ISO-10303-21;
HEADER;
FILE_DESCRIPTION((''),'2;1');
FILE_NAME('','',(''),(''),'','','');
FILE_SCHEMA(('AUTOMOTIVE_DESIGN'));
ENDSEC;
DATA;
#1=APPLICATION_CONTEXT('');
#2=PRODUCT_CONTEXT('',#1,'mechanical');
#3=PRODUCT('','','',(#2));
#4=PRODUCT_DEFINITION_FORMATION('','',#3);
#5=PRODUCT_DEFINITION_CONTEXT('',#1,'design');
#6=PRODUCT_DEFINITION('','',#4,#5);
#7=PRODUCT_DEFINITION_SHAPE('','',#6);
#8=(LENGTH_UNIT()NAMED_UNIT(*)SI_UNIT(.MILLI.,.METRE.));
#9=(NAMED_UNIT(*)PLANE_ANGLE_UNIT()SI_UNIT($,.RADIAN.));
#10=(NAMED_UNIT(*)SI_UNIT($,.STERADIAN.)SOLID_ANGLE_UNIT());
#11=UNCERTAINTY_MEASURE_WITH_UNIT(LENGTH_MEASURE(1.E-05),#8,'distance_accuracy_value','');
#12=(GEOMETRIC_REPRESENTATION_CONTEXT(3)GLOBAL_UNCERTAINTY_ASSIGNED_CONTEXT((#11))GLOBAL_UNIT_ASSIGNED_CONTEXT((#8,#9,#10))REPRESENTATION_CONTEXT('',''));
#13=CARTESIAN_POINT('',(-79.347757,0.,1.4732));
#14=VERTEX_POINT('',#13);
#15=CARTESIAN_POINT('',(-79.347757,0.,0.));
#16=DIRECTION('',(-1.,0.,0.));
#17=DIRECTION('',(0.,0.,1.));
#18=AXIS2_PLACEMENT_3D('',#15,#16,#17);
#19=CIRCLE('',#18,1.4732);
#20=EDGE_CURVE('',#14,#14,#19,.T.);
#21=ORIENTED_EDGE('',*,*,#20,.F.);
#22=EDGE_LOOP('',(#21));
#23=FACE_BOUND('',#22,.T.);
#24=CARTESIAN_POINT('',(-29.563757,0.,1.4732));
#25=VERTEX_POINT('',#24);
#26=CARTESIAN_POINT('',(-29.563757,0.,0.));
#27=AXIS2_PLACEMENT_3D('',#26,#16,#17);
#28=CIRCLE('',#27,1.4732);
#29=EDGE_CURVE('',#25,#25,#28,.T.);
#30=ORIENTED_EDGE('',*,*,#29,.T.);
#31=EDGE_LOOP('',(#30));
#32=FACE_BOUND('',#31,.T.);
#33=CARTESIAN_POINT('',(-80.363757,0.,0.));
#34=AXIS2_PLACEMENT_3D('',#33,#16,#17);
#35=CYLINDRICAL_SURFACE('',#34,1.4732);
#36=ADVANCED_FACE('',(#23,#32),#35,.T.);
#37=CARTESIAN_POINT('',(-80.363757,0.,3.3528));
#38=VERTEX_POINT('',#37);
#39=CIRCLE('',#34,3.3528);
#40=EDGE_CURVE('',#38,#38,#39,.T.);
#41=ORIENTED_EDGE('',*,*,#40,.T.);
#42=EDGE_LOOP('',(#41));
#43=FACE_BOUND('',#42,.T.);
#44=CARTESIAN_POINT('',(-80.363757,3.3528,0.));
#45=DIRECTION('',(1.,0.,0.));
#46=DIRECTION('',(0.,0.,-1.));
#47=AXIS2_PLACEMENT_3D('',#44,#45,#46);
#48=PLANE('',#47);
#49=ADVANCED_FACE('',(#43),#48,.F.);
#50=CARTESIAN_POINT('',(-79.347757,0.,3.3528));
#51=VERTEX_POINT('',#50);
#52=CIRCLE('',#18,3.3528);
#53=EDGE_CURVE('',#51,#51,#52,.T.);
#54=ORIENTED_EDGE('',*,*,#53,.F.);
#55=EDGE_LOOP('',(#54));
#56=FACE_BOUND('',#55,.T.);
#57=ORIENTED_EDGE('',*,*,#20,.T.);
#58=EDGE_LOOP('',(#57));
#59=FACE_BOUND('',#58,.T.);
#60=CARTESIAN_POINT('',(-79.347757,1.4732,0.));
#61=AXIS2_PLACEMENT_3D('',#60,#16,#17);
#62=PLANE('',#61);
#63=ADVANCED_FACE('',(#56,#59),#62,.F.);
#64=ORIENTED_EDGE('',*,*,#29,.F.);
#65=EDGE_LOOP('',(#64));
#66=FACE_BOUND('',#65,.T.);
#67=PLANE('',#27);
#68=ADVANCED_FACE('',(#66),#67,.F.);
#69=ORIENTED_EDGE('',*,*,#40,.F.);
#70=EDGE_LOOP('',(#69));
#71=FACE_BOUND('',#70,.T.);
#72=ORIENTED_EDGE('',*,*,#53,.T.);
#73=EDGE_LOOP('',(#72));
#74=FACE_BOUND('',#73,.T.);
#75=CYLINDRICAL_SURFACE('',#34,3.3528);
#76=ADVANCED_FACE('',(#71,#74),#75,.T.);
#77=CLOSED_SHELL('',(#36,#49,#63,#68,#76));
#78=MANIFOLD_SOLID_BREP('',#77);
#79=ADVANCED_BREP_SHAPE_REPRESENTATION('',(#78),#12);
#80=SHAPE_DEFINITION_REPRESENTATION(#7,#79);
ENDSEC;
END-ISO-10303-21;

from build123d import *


with BuildPart() as part:
    # Sketch1 → Revolve1 (revolve)
    with BuildSketch(Plane.XY, mode=Mode.PRIVATE) as revolve1_sk:
        Polygon((-80.363757442, 0), (-29.563757442, 0), (-29.563757442, 1.4732), (-79.347757442, 1.4732), (-79.347757442, 3.3528), (-80.363757442, 3.3528), align=None)
    revolve(revolve1_sk.sketch.rotate(Axis((-80.363757442, 0, 0), (1, 0, 0)), 90), axis=Axis((-80.363757442, 0, 0), (1, 0, 0)))


solid = part.part
